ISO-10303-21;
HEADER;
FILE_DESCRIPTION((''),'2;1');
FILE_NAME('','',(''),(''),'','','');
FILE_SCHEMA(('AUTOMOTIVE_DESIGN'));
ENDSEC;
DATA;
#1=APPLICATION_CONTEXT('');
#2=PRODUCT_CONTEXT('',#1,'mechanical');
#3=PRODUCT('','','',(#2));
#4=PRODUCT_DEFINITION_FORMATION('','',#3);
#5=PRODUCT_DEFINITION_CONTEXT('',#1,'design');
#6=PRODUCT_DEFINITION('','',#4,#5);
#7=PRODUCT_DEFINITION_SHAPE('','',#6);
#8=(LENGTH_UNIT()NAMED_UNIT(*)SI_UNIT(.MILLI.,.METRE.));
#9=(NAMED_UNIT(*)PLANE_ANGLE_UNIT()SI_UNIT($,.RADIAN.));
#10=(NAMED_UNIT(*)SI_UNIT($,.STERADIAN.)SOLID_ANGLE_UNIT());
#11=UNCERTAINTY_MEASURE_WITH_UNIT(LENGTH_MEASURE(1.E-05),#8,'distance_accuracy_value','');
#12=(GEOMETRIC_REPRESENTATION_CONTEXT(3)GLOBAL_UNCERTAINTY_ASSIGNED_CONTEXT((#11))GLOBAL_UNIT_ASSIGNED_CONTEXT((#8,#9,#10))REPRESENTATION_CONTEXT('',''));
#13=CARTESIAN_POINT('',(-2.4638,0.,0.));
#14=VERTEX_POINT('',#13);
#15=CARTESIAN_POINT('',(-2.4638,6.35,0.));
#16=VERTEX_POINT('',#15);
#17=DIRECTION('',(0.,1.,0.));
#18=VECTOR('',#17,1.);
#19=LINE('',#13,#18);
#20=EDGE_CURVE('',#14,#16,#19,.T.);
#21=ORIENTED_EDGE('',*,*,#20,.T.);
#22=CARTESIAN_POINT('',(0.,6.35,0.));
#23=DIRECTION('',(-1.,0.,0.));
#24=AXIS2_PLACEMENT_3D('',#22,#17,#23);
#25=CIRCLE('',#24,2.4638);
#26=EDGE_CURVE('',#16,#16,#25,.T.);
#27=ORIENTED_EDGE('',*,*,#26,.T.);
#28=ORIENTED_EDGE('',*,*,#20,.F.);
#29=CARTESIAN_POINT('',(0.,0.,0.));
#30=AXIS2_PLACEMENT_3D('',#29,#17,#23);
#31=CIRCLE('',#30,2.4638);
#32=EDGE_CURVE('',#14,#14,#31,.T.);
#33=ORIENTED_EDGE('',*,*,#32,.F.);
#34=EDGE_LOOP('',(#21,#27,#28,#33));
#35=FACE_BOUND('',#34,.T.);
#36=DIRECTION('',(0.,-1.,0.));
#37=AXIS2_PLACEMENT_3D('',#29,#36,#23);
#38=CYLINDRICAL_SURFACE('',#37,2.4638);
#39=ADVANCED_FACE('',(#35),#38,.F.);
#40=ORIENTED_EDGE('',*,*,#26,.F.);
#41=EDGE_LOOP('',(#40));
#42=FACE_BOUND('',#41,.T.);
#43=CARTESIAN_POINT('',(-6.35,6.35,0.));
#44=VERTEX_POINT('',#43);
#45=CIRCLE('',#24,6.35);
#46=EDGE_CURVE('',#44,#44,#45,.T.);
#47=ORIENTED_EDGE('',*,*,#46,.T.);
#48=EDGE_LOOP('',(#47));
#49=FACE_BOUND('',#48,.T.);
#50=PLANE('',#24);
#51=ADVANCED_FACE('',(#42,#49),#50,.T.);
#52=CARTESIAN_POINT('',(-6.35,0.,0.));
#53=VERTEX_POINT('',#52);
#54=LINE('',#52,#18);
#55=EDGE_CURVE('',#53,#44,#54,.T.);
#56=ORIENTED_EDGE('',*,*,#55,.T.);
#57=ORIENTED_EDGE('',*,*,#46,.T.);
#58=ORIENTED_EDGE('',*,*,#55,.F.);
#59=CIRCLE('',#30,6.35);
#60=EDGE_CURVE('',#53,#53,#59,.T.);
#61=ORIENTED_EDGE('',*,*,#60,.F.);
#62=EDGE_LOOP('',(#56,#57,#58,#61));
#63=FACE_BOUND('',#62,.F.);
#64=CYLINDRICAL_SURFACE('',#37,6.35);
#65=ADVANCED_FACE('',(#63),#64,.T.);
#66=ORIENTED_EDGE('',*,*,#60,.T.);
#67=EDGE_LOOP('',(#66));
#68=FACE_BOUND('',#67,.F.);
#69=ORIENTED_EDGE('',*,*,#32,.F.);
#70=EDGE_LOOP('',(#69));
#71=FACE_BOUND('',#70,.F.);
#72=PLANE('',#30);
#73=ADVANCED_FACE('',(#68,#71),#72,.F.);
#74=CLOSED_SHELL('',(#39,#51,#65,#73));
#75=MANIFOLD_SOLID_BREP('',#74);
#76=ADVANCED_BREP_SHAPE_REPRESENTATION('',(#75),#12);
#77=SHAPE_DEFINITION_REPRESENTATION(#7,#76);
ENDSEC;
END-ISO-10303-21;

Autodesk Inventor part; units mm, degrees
ref_plane "YZ Plane" through (0, 0, 0) normal (1, 0, 0) x (0, 1, 0)
ref_plane "XZ Plane" through (0, 0, 0) normal (0, 1, 0) x (-1, 0, 0)
ref_plane "XY Plane" through (0, 0, 0) normal (0, 0, 1) x (1, 0, 0)
sketch "Sketch1" plane through (0, 0, 0) normal (0, 1, 0) x (-1, 0, 0)
  circle A0 centre (0, 0) radius 6.35
  circle A1 centre (0, 0) radius 2.4638
  dimension "d0" = 12.7
  dimension "d1" = 4.9276
extrude "Extrusion1" add sketch "Sketch1" along normal blind 6.35
properties part number "275-1066" material "Glass"
